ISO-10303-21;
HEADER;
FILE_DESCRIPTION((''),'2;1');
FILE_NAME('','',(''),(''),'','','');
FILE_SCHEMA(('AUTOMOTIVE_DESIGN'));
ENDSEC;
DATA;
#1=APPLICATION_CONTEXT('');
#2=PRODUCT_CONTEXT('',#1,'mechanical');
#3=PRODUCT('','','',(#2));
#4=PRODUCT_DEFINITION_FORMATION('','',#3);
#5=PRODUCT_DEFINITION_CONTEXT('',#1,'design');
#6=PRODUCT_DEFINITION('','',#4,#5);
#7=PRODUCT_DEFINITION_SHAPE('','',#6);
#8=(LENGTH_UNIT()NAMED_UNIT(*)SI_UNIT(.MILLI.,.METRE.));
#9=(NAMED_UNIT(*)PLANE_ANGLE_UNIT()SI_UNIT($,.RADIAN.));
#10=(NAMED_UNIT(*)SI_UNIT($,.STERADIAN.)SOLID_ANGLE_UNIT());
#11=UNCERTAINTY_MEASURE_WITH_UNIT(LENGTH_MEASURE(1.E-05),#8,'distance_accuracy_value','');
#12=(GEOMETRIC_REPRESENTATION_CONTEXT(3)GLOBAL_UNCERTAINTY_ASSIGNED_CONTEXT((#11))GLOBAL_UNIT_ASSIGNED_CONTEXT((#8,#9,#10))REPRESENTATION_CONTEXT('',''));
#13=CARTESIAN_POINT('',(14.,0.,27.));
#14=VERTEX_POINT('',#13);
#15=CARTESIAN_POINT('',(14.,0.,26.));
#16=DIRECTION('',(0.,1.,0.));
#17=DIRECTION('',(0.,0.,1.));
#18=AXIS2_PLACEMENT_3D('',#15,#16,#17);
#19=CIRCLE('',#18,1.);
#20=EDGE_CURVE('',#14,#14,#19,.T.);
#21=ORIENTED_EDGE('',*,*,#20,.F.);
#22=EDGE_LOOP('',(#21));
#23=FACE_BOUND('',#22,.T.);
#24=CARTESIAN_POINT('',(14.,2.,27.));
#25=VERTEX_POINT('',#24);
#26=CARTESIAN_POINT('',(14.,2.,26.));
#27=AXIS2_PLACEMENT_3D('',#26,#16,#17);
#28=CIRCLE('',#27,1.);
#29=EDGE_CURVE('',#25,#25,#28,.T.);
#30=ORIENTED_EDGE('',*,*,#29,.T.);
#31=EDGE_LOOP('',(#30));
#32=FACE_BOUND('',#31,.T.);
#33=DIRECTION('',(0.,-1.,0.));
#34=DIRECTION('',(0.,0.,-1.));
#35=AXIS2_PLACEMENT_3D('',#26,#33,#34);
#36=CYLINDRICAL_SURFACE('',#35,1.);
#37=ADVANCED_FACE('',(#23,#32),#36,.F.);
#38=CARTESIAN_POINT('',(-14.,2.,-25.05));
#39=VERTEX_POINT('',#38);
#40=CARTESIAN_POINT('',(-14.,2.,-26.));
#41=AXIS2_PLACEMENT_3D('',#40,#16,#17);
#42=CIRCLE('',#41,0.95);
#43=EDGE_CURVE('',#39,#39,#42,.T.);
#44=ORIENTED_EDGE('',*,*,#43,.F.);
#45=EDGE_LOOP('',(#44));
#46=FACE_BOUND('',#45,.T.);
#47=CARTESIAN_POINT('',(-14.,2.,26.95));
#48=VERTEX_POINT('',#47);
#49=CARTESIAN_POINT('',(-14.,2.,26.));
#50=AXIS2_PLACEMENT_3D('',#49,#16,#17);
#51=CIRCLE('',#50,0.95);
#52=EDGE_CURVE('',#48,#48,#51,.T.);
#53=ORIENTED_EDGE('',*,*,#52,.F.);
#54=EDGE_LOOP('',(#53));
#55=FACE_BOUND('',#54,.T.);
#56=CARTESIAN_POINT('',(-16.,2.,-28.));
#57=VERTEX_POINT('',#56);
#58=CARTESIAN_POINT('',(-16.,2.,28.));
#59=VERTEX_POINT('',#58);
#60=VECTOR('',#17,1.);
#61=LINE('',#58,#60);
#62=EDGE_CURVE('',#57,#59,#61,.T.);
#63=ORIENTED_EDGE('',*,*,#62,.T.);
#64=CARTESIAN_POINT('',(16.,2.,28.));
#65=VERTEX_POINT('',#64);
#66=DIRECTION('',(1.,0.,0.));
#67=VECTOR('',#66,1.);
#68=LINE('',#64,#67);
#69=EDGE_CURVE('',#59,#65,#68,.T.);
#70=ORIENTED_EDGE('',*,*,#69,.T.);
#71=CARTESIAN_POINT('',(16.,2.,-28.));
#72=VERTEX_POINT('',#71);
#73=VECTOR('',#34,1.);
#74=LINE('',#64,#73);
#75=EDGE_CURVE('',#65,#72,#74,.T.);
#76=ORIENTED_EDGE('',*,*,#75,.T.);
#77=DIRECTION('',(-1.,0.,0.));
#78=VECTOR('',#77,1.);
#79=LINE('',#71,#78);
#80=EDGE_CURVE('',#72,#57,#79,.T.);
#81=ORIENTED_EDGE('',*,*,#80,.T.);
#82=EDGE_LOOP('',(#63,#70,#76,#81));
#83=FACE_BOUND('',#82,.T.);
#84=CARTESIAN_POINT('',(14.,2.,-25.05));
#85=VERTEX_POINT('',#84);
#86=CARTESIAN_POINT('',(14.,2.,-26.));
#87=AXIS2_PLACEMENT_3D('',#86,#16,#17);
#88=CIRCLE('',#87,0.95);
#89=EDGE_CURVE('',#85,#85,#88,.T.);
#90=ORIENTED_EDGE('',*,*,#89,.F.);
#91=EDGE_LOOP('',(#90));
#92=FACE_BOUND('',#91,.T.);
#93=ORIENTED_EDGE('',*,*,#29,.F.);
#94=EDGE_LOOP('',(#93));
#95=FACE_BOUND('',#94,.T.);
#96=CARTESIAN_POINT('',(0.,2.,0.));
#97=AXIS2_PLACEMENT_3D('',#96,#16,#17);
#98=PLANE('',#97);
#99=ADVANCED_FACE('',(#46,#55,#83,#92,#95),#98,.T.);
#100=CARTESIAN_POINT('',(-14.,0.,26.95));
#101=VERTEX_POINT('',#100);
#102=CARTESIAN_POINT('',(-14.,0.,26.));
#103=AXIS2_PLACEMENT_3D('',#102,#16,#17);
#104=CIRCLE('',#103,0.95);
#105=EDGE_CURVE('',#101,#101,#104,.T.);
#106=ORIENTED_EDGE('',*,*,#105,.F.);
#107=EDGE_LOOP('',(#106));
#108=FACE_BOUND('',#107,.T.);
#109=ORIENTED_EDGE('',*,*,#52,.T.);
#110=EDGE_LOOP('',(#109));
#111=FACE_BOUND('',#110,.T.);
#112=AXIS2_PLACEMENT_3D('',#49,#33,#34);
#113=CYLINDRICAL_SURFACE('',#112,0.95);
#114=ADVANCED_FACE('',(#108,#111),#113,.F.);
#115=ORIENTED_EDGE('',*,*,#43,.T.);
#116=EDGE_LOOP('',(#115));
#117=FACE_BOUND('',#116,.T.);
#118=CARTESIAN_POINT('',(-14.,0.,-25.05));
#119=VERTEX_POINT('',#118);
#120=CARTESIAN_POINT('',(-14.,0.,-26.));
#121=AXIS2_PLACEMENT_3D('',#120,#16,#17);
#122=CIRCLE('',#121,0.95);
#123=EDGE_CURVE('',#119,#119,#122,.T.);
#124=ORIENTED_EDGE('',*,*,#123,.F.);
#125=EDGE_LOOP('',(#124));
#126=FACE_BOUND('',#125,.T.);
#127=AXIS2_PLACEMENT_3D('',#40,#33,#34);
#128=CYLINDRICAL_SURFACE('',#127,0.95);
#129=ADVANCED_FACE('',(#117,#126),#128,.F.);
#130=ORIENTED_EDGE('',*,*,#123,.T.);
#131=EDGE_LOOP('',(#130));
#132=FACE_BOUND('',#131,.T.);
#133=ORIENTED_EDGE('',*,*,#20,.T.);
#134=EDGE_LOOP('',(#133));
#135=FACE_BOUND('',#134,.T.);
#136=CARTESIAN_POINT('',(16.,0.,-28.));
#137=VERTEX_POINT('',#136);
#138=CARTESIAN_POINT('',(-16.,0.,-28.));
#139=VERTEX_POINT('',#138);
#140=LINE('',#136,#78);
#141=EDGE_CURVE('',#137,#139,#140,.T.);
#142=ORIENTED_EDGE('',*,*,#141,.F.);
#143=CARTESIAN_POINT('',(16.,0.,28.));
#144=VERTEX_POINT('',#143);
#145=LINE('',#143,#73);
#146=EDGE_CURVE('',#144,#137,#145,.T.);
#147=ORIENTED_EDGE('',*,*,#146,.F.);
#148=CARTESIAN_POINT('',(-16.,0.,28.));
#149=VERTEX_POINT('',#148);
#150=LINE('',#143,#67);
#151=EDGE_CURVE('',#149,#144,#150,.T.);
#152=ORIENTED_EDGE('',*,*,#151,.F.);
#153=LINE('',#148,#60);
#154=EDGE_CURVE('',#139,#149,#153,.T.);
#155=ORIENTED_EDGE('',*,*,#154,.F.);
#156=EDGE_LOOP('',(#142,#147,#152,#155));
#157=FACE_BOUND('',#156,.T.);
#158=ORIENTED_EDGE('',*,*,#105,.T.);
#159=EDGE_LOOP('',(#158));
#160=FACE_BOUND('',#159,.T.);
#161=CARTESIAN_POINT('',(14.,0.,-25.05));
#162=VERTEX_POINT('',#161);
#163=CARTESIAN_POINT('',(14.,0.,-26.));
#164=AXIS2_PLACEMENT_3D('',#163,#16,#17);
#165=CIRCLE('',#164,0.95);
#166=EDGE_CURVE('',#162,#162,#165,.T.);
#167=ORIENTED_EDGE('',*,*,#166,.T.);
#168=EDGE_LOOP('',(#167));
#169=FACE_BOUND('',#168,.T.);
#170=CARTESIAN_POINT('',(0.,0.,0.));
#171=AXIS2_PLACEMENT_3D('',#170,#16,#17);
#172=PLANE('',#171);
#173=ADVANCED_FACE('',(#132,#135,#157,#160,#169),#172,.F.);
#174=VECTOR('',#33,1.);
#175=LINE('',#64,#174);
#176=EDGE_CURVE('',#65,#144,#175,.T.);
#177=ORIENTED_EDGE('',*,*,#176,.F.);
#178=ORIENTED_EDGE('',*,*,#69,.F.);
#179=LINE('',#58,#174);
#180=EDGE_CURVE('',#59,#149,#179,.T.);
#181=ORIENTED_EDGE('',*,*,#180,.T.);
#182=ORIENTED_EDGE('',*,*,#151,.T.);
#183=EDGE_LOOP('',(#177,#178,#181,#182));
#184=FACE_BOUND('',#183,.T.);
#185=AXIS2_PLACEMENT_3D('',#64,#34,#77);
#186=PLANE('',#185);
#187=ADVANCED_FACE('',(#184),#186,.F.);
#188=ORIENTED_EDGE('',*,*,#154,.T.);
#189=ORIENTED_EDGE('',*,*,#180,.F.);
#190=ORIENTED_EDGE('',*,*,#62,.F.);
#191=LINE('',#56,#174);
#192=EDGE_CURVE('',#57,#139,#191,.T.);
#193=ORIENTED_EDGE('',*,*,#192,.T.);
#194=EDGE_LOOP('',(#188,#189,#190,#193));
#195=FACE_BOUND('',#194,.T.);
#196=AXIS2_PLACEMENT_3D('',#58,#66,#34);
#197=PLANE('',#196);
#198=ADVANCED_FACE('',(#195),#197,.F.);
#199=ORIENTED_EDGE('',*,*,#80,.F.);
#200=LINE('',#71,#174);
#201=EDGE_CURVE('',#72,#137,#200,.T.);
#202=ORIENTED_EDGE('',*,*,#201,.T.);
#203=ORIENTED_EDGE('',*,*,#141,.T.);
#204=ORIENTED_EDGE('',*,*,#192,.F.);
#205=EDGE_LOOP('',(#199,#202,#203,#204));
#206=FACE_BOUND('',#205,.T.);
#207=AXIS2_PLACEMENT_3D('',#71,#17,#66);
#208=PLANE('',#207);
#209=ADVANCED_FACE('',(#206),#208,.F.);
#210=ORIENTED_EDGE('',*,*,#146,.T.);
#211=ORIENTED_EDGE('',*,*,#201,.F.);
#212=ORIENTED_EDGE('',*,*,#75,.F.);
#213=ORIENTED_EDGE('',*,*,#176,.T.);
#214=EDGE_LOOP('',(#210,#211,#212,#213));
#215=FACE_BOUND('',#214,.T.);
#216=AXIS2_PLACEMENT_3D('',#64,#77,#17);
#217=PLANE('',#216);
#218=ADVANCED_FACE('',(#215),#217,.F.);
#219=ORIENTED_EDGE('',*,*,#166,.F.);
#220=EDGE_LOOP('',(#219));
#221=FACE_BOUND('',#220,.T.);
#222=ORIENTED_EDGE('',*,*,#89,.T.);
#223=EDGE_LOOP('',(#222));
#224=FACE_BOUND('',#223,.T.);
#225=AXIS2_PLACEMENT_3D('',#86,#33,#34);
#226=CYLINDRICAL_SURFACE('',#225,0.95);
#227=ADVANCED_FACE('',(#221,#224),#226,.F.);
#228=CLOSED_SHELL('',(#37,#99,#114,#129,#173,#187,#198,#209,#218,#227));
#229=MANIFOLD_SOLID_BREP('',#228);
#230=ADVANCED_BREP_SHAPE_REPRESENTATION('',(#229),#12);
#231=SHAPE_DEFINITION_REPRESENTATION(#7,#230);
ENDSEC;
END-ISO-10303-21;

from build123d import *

# Parameters (mm, degrees)
SKETCH_2_W      = 32
SKETCH_2_H      = 56
SKETCH_2_R      = 0.95
SKETCH_2_R_2    = 1
EXTRUDE_2_DEPTH = 2


with BuildPart() as part:
    # 草图2 → 凸台-拉伸2 (new body)
    with BuildSketch(Plane(origin=(0, 0, 0), x_dir=(1, 0, 0), z_dir=(0, 1, 0))):
        Rectangle(SKETCH_2_W, SKETCH_2_H)
        with Locations(Location((-14, 26, 0), (0, 0, 270))):
            Circle(SKETCH_2_R, mode=Mode.SUBTRACT)
        with Locations(Location((14, 26, 0), (0, 0, 270))):
            Circle(SKETCH_2_R, mode=Mode.SUBTRACT)
        with Locations(Location((-14, -26, 0), (0, 0, 270))):
            Circle(SKETCH_2_R, mode=Mode.SUBTRACT)
        with Locations(Location((14, -26, 0), (0, 0, 270))):
            Circle(SKETCH_2_R_2, mode=Mode.SUBTRACT)
    extrude(amount=EXTRUDE_2_DEPTH)


solid = part.part
